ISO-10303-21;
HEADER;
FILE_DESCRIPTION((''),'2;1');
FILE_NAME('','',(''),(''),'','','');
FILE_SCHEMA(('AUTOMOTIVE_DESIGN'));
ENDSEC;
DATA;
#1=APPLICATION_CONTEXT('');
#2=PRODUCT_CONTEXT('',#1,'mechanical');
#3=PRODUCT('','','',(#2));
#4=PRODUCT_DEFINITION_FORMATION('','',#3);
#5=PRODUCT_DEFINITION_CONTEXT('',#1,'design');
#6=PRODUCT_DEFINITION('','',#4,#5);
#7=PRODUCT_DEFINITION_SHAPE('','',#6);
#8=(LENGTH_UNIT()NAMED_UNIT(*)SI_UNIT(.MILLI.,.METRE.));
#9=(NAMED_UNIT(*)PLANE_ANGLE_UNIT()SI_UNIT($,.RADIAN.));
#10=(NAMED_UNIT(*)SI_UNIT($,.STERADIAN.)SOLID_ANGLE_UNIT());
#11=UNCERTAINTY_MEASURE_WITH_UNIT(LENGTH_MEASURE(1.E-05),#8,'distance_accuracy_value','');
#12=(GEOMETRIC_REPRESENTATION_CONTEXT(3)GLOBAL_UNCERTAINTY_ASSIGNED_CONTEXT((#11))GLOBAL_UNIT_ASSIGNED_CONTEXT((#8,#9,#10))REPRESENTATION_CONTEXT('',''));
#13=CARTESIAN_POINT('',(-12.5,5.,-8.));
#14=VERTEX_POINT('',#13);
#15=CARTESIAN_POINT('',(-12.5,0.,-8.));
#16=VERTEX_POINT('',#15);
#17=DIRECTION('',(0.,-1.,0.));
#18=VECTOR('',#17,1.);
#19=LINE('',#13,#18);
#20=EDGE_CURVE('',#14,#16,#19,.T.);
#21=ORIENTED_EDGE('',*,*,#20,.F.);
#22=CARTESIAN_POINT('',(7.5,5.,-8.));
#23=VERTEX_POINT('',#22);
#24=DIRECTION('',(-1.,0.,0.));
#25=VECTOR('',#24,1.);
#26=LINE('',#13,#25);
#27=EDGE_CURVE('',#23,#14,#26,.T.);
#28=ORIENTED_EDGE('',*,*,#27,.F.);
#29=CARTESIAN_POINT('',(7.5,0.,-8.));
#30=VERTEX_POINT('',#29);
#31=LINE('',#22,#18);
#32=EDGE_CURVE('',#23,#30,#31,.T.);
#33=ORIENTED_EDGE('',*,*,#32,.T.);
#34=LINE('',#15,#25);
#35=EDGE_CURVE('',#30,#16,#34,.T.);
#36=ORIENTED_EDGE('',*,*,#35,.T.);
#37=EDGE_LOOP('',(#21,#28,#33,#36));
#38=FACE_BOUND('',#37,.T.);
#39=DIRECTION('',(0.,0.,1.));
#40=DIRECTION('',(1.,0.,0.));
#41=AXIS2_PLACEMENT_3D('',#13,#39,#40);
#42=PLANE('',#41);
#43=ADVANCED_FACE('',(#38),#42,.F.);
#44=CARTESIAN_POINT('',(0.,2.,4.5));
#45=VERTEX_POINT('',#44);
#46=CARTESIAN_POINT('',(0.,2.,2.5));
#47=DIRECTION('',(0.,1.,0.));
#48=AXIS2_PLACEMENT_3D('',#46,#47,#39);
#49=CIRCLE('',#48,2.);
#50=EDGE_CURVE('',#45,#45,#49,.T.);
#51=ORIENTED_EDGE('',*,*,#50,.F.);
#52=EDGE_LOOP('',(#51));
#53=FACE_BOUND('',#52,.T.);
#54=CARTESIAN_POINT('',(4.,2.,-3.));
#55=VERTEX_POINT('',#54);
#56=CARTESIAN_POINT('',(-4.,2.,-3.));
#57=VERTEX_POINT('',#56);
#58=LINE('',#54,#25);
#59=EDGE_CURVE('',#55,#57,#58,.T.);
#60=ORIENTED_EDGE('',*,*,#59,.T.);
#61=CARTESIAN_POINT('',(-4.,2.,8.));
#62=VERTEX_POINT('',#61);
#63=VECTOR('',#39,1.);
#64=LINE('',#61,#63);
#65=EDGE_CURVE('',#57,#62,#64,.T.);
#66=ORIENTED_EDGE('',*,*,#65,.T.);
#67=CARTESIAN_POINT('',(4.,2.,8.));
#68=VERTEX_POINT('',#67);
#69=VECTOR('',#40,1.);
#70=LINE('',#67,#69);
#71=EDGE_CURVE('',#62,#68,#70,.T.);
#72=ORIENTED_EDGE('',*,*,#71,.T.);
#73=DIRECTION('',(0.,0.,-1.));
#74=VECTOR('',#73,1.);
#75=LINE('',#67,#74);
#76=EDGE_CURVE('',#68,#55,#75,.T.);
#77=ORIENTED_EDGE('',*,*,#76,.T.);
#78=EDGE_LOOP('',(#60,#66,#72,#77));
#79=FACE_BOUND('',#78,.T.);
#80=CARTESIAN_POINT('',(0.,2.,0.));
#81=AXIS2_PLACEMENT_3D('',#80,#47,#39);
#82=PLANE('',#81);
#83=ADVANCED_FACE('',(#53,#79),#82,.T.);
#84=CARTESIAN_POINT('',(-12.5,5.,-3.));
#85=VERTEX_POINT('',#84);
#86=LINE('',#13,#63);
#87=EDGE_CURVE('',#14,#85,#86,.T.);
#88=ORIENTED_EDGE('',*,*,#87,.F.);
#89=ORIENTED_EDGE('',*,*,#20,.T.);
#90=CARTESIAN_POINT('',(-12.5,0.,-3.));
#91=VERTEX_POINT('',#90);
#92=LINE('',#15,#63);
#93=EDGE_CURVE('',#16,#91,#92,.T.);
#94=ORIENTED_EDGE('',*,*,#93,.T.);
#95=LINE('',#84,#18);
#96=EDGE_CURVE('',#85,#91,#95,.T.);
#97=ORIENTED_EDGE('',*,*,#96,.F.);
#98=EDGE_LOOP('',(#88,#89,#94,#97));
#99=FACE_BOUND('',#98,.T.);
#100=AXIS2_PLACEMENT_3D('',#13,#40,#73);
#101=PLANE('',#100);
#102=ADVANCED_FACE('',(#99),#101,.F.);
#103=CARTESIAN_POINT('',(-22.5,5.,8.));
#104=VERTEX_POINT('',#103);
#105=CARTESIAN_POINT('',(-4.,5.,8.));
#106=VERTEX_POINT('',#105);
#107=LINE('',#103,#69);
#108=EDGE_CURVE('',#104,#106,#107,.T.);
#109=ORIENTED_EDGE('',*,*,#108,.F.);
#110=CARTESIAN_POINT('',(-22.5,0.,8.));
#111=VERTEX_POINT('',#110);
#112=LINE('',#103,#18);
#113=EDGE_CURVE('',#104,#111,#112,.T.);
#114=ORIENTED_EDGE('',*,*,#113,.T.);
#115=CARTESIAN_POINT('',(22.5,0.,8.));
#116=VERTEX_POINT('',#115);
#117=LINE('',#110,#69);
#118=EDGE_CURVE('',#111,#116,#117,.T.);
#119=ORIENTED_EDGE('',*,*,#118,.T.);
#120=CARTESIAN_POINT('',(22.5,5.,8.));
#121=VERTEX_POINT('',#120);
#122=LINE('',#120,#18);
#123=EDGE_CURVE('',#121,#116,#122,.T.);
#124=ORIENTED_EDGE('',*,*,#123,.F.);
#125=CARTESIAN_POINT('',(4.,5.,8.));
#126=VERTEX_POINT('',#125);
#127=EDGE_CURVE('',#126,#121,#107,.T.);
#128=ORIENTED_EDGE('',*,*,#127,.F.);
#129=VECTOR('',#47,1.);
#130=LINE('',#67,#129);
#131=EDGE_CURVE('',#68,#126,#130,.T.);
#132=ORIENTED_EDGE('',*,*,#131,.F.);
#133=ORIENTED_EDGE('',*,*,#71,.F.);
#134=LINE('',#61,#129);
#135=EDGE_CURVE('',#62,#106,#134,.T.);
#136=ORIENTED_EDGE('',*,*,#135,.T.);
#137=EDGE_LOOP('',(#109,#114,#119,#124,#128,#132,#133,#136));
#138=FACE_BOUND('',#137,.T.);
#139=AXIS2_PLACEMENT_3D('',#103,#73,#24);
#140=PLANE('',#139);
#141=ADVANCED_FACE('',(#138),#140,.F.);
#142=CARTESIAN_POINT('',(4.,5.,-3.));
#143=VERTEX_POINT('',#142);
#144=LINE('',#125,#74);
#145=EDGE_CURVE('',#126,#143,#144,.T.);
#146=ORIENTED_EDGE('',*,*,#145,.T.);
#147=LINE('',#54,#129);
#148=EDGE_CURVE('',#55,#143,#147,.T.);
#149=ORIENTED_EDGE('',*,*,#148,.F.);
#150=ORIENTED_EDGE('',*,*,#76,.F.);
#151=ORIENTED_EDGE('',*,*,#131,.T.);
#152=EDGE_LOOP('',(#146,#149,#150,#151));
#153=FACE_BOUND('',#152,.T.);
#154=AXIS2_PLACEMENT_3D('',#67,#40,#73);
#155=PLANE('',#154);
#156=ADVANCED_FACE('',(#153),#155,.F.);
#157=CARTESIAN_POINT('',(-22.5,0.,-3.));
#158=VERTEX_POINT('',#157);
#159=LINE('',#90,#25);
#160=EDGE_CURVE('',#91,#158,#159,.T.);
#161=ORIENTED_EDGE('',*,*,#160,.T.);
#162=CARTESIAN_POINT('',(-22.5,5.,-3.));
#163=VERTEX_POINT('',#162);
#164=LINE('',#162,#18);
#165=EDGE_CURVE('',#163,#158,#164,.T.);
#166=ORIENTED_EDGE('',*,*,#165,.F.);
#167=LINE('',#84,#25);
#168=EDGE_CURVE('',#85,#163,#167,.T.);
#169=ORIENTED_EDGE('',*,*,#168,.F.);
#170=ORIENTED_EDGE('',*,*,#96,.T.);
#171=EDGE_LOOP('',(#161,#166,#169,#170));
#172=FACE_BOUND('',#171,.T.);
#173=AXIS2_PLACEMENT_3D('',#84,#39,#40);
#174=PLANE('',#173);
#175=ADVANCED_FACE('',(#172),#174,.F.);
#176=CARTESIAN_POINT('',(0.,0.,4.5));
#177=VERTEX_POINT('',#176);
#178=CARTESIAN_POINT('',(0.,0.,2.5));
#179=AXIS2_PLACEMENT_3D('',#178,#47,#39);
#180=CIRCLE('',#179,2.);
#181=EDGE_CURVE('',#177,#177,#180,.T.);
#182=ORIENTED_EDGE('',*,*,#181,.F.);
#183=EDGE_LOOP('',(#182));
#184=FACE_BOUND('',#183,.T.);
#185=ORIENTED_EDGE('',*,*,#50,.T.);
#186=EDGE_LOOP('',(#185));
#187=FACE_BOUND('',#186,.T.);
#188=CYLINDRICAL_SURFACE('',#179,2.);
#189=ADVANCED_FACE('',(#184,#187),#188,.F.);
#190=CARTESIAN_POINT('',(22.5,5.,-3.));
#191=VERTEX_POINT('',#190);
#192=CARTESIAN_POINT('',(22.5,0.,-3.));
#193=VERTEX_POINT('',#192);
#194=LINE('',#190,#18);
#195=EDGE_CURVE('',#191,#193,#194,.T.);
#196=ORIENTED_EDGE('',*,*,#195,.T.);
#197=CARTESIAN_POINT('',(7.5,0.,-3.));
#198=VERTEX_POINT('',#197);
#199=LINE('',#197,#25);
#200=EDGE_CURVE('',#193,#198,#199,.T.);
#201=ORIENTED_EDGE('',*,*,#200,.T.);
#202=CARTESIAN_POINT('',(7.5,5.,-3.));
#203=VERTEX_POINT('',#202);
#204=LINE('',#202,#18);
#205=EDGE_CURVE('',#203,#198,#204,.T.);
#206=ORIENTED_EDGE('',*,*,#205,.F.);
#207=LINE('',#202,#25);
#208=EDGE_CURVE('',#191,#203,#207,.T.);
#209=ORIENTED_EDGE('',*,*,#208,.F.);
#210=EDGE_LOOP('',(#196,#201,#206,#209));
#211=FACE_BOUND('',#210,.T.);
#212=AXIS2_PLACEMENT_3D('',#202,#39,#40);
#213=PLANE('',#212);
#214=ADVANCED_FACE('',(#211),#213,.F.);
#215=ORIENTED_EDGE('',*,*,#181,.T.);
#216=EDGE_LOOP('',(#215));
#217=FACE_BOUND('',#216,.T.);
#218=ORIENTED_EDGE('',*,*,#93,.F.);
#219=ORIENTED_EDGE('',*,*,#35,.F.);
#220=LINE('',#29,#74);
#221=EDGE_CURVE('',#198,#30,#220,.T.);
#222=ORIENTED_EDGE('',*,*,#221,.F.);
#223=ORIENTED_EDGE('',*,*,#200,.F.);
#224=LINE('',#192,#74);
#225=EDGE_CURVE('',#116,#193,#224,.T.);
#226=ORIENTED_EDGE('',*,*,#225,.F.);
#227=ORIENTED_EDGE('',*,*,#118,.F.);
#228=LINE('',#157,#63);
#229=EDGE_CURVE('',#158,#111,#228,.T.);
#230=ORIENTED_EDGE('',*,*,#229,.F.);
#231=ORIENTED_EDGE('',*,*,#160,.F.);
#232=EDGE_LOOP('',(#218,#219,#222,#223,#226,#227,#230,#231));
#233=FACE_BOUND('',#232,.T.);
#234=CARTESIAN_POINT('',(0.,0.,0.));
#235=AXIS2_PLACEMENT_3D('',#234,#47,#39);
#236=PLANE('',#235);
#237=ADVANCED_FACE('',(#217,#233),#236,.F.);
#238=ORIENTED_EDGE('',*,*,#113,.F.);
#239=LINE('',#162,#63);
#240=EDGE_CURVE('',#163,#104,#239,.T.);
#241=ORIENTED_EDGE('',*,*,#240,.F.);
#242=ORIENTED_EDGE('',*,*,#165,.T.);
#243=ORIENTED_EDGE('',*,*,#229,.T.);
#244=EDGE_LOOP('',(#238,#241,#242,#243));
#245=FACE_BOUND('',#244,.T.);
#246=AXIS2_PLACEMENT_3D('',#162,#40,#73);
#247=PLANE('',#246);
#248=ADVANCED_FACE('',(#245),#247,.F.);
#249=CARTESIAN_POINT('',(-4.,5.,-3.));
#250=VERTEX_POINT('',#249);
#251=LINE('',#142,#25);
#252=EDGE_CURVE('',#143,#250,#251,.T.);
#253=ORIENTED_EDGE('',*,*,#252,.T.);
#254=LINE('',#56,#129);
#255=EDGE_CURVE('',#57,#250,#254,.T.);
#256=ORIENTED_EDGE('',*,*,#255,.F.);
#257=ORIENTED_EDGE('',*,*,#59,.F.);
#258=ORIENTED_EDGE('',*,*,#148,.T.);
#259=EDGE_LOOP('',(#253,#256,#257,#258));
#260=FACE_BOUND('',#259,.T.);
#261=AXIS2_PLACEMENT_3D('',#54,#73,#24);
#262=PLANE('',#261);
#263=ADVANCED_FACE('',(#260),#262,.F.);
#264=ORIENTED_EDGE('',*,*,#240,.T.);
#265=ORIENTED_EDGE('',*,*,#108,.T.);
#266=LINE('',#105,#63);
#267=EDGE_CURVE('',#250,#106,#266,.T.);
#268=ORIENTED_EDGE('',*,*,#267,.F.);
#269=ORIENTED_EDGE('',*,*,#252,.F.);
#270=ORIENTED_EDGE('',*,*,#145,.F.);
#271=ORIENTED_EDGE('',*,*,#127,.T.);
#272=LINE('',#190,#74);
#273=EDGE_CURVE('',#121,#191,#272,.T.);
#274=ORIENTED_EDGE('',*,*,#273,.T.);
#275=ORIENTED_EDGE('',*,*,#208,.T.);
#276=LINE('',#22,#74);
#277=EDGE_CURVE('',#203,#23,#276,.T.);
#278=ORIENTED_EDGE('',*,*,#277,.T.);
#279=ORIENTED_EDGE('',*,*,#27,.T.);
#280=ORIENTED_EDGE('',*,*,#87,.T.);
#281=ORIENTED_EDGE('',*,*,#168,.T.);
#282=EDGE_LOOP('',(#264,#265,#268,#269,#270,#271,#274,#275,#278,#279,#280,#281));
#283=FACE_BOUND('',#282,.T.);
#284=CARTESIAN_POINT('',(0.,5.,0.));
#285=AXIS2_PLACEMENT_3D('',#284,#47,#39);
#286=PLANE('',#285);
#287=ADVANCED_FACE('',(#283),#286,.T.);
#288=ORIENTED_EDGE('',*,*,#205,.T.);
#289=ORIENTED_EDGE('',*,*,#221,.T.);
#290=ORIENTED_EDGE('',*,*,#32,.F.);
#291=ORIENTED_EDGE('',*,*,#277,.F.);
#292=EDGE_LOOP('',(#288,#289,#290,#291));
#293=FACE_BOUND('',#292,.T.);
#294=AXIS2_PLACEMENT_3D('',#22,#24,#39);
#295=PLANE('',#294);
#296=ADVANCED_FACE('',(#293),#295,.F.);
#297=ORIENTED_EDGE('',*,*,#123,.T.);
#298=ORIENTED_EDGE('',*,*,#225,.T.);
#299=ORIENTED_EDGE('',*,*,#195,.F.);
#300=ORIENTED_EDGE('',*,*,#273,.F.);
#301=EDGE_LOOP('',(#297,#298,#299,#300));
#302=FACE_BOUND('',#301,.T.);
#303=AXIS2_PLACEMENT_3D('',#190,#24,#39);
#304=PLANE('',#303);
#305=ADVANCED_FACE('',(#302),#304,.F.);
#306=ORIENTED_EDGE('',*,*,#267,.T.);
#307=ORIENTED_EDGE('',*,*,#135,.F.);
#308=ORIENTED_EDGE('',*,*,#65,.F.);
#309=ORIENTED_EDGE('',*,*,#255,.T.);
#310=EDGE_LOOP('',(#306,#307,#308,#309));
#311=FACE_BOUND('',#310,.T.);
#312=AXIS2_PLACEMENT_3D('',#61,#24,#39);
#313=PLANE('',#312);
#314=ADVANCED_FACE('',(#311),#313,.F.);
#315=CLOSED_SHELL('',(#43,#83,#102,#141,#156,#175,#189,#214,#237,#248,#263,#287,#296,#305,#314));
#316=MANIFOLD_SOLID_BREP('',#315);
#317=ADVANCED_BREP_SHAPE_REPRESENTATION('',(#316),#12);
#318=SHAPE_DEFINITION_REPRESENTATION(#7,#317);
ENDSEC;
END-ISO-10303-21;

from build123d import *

# Parameters (mm, degrees)
BOSS_EXTRU_1_DEPTH      = 5
ESQUISSE2_W             = 8
ESQUISSE2_H             = 11
ENL_V_MAT_EXTRU_1_DEPTH = 3
ESQUISSE3_R             = 2
ENL_V_MAT_EXTRU_3_DEPTH = 25.067613093


with BuildPart() as part:
    # Esquisse1 → Boss.-Extru.1 (new body)
    with BuildSketch(Plane(origin=(0, 0, 0), x_dir=(1, 0, 0), z_dir=(0, 1, 0))):
        Polygon((7.5, 8), (7.5, 3), (22.5, 3), (22.5, -8), (-22.5, -8), (-22.5, 3), (-12.5, 3), (-12.5, 8), align=None)
    extrude(amount=BOSS_EXTRU_1_DEPTH)

    # Esquisse2 → Enlèv. mat.-Extru.1 (cut)
    with BuildSketch(Plane(origin=(0, 5, 0), x_dir=(1, 0, 0), z_dir=(0, 1, 0))):
        with Locations((0, -2.5)):
            Rectangle(ESQUISSE2_W, ESQUISSE2_H)
    extrude(amount=-ENL_V_MAT_EXTRU_1_DEPTH, mode=Mode.SUBTRACT)

    # Esquisse3 → Enlèv. mat.-Extru.3 (cut, through all)
    with BuildSketch(Plane(origin=(0, 2, 0), x_dir=(1, 0, 0), z_dir=(0, 1, 0))):
        with Locations(Location((0, -2.5, 0), (0, 0, 270))):
            Circle(ESQUISSE3_R)
    extrude(amount=-ENL_V_MAT_EXTRU_3_DEPTH, mode=Mode.SUBTRACT)


solid = part.part
